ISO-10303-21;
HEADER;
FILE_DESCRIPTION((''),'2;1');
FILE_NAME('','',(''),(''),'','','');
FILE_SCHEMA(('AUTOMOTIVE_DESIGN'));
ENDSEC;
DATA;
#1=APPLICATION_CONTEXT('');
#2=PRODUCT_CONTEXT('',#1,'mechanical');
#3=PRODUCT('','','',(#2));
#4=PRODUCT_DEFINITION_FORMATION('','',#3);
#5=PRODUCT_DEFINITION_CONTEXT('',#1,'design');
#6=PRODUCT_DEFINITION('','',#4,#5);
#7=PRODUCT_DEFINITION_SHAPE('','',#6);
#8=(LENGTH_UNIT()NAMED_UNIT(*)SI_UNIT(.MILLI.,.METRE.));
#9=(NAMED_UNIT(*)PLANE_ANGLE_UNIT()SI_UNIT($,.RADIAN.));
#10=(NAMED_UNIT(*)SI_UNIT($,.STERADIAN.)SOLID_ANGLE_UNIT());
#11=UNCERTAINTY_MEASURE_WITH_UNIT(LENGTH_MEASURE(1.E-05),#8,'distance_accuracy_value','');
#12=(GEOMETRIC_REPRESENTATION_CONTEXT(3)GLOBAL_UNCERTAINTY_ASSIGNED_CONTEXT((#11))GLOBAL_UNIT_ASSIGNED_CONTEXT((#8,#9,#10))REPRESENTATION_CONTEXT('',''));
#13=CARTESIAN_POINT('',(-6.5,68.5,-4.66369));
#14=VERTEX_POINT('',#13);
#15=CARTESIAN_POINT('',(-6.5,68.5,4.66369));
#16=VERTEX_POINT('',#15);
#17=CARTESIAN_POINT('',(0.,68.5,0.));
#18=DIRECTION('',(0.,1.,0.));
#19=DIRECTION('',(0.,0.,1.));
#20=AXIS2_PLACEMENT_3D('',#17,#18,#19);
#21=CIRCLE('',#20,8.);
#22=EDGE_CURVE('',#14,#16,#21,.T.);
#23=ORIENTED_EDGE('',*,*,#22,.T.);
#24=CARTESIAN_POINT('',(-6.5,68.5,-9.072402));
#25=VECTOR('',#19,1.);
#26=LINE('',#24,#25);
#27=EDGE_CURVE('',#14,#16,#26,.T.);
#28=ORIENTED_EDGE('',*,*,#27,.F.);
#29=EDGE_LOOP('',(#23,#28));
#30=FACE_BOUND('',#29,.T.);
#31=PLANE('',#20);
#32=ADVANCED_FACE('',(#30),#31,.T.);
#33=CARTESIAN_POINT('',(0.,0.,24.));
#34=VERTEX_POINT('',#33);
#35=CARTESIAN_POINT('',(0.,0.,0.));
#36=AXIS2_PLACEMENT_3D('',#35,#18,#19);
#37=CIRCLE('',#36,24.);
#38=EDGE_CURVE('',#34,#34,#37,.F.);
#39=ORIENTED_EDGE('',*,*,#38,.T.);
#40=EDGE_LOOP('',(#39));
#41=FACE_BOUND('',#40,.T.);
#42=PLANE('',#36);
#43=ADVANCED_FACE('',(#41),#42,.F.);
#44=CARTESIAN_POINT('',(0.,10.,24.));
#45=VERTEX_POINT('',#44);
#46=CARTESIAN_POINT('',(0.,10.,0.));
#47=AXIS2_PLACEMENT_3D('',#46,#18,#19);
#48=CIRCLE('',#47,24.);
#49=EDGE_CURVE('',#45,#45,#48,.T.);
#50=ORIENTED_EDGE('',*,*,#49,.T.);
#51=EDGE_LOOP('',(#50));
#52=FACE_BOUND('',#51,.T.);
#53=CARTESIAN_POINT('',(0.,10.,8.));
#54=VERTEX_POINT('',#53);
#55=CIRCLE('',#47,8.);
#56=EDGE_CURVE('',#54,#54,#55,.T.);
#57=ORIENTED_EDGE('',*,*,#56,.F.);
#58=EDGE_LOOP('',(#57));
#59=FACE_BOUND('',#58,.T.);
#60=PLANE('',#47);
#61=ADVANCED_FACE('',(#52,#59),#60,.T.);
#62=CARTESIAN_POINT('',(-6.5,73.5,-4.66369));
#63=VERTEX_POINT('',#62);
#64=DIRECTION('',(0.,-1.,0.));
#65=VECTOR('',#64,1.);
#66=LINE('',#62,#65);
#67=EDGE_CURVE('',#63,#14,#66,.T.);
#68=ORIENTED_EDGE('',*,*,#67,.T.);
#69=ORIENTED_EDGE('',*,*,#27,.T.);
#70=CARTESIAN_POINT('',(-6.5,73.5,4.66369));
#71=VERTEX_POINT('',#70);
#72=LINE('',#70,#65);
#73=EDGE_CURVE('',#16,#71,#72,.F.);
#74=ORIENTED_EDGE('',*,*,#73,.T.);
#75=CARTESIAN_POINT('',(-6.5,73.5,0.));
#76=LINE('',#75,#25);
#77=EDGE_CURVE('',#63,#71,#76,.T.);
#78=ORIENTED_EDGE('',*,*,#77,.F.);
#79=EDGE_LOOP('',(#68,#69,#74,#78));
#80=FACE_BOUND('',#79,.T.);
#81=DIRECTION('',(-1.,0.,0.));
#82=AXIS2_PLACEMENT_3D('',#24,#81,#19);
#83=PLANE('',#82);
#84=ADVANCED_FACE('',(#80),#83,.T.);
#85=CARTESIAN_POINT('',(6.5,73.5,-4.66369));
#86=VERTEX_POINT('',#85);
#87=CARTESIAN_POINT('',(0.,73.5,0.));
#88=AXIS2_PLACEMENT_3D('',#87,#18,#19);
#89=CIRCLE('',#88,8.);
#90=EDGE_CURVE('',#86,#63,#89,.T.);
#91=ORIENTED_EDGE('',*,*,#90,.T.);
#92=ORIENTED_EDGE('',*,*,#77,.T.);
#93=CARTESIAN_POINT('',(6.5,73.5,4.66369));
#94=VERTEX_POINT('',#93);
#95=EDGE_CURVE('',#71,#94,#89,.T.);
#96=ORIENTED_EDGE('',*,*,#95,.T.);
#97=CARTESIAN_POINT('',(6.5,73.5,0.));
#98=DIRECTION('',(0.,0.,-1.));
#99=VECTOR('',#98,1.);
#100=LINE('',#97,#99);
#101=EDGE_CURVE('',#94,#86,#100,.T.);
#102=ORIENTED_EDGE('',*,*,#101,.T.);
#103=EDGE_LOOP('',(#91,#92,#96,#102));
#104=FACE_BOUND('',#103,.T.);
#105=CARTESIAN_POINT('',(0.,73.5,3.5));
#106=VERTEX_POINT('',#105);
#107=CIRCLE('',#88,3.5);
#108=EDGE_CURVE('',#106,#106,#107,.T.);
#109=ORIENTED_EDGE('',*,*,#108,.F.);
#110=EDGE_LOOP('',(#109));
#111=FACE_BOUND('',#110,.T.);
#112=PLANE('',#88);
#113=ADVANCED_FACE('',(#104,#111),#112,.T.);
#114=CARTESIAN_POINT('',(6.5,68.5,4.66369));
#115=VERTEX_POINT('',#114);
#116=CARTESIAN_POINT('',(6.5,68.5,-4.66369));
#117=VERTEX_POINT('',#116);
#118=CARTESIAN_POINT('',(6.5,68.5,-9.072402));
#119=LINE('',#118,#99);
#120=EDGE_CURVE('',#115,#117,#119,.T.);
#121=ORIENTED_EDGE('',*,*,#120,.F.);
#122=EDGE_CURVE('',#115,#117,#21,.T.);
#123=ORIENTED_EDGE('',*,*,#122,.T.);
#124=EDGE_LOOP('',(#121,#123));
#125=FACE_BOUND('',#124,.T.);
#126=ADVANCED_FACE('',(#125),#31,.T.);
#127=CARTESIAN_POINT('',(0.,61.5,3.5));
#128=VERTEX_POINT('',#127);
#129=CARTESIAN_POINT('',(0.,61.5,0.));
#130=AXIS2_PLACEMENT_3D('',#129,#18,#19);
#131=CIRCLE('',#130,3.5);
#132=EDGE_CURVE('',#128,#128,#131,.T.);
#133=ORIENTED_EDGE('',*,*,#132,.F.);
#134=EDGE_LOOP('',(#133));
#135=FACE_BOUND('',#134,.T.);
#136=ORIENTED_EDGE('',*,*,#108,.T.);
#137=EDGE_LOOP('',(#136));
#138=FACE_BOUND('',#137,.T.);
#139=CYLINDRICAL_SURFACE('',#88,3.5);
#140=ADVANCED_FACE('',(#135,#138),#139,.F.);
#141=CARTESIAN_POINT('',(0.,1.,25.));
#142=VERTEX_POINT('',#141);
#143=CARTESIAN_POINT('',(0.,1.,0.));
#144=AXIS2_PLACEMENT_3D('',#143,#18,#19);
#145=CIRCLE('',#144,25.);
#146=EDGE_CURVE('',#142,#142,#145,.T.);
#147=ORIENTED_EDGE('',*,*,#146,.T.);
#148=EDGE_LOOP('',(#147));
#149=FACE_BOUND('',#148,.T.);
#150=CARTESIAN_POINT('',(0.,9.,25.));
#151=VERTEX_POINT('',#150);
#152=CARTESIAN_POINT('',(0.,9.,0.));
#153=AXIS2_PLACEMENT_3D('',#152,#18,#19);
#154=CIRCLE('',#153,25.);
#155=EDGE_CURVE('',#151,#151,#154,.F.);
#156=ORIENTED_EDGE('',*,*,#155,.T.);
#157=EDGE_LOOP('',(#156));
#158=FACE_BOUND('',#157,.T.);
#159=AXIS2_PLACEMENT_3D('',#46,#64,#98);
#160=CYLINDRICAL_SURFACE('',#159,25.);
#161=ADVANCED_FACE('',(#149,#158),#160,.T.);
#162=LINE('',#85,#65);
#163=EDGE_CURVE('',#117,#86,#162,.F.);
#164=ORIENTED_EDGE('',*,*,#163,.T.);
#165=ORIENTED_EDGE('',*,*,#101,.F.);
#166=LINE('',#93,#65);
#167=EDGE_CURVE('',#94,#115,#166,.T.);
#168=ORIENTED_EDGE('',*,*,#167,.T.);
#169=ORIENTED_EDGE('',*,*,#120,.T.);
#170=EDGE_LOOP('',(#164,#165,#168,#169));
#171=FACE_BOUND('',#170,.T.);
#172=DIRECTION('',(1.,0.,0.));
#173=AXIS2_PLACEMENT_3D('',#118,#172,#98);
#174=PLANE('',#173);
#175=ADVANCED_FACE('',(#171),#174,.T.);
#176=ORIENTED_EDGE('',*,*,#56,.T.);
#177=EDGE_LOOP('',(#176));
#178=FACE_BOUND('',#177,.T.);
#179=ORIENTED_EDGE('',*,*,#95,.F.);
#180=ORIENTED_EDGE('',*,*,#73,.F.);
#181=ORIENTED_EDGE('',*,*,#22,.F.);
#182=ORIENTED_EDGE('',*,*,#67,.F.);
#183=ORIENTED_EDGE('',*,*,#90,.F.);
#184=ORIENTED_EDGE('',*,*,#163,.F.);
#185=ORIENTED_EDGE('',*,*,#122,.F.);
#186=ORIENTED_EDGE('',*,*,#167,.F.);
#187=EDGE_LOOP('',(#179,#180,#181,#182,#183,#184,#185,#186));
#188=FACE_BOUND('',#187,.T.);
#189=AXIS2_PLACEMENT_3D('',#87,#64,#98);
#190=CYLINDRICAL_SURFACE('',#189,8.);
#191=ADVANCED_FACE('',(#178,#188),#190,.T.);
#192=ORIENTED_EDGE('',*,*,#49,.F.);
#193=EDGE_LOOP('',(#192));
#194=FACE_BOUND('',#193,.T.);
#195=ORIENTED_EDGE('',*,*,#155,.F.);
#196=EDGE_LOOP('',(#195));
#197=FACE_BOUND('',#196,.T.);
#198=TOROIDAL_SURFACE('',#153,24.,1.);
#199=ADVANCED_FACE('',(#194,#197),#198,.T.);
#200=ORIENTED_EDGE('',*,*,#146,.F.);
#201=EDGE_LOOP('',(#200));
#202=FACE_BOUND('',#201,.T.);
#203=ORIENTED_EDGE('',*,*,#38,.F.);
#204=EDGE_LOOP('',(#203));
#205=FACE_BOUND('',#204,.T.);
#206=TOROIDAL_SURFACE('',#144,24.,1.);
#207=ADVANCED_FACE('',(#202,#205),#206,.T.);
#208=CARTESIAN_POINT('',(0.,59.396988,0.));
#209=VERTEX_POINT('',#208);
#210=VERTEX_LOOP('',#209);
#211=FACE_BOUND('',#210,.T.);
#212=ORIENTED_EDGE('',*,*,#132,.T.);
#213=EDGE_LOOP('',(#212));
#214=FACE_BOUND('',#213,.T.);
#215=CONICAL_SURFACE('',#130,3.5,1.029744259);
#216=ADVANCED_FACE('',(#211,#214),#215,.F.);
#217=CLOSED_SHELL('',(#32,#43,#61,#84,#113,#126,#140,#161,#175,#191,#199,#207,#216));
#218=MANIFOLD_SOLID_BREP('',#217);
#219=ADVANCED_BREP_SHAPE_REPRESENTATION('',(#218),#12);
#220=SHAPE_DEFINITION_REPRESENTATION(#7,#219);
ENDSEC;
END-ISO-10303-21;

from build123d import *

# Parameters (mm, degrees)
SKETCH1_R                 = 25
BOSS_EXTRUDE1_DEPTH       = 10
FILLET1_R                 = 1
SKETCH2_R                 = 8
BOSS_EXTRUDE2_DEPTH       = 63.5
M8X1_0_TAPPED_HOLE1_D     = 7
M8X1_0_TAPPED_HOLE1_DEPTH = 12
M8X1_0_TAPPED_HOLE1_TIP   = 2.103012167
SKETCH5_OUTSIDE_W         = 72.398
SKETCH5_OUTSIDE_H         = 72.398
SKETCH5_OUTSIDE_W_2       = 13
SKETCH5_OUTSIDE_H_2       = 18.1448046
CUT_EXTRUDE1_DEPTH        = 5


with BuildPart() as part:
    # Sketch1 → Boss-Extrude1 (new body)
    with BuildSketch(Plane(origin=(0, 0, 0), x_dir=(1, 0, 0), z_dir=(0, 1, 0))):
        with Locations(Location((0, 0, 0), (0, 0, 270))):
            Circle(SKETCH1_R)
    extrude(amount=BOSS_EXTRUDE1_DEPTH)

    # Fillet1
    fillet1_edges = [part.edges().sort_by_distance(p)[0] for p in [
        (0, 0, -25),
        (0, 10, -25),
    ]]
    fillet(fillet1_edges, radius=FILLET1_R)

    # Sketch2 → Boss-Extrude2 (add)
    with BuildSketch(Plane(origin=(0, 10, 0), x_dir=(1, 0, 0), z_dir=(0, 1, 0))):
        with Locations(Location((0, 0, 0), (0, 0, 270))):
            Circle(SKETCH2_R)
    extrude(amount=BOSS_EXTRUDE2_DEPTH)

    # M8x1.0 Tapped Hole1
    with Locations(Plane(origin=(0, 73.5, 0), x_dir=(1, 0, 0), z_dir=(0, 1, 0))):
        with Locations((0, 0)):
            Hole(M8X1_0_TAPPED_HOLE1_D / 2, depth=M8X1_0_TAPPED_HOLE1_DEPTH)
            with Locations((0, 0, -(M8X1_0_TAPPED_HOLE1_DEPTH + M8X1_0_TAPPED_HOLE1_TIP / 2))):  # 118° drill point
                Cone(0, M8X1_0_TAPPED_HOLE1_D / 2, M8X1_0_TAPPED_HOLE1_TIP, mode=Mode.SUBTRACT)

    # Sketch5 outside → Cut-Extrude1 (cut)
    with BuildSketch(Plane(origin=(0, 73.5, 0), x_dir=(1, 0, 0), z_dir=(0, 1, 0))):
        Rectangle(SKETCH5_OUTSIDE_W, SKETCH5_OUTSIDE_H)
        Rectangle(SKETCH5_OUTSIDE_W_2, SKETCH5_OUTSIDE_H_2, mode=Mode.SUBTRACT)
    extrude(amount=-CUT_EXTRUDE1_DEPTH, mode=Mode.SUBTRACT)


solid = part.part
